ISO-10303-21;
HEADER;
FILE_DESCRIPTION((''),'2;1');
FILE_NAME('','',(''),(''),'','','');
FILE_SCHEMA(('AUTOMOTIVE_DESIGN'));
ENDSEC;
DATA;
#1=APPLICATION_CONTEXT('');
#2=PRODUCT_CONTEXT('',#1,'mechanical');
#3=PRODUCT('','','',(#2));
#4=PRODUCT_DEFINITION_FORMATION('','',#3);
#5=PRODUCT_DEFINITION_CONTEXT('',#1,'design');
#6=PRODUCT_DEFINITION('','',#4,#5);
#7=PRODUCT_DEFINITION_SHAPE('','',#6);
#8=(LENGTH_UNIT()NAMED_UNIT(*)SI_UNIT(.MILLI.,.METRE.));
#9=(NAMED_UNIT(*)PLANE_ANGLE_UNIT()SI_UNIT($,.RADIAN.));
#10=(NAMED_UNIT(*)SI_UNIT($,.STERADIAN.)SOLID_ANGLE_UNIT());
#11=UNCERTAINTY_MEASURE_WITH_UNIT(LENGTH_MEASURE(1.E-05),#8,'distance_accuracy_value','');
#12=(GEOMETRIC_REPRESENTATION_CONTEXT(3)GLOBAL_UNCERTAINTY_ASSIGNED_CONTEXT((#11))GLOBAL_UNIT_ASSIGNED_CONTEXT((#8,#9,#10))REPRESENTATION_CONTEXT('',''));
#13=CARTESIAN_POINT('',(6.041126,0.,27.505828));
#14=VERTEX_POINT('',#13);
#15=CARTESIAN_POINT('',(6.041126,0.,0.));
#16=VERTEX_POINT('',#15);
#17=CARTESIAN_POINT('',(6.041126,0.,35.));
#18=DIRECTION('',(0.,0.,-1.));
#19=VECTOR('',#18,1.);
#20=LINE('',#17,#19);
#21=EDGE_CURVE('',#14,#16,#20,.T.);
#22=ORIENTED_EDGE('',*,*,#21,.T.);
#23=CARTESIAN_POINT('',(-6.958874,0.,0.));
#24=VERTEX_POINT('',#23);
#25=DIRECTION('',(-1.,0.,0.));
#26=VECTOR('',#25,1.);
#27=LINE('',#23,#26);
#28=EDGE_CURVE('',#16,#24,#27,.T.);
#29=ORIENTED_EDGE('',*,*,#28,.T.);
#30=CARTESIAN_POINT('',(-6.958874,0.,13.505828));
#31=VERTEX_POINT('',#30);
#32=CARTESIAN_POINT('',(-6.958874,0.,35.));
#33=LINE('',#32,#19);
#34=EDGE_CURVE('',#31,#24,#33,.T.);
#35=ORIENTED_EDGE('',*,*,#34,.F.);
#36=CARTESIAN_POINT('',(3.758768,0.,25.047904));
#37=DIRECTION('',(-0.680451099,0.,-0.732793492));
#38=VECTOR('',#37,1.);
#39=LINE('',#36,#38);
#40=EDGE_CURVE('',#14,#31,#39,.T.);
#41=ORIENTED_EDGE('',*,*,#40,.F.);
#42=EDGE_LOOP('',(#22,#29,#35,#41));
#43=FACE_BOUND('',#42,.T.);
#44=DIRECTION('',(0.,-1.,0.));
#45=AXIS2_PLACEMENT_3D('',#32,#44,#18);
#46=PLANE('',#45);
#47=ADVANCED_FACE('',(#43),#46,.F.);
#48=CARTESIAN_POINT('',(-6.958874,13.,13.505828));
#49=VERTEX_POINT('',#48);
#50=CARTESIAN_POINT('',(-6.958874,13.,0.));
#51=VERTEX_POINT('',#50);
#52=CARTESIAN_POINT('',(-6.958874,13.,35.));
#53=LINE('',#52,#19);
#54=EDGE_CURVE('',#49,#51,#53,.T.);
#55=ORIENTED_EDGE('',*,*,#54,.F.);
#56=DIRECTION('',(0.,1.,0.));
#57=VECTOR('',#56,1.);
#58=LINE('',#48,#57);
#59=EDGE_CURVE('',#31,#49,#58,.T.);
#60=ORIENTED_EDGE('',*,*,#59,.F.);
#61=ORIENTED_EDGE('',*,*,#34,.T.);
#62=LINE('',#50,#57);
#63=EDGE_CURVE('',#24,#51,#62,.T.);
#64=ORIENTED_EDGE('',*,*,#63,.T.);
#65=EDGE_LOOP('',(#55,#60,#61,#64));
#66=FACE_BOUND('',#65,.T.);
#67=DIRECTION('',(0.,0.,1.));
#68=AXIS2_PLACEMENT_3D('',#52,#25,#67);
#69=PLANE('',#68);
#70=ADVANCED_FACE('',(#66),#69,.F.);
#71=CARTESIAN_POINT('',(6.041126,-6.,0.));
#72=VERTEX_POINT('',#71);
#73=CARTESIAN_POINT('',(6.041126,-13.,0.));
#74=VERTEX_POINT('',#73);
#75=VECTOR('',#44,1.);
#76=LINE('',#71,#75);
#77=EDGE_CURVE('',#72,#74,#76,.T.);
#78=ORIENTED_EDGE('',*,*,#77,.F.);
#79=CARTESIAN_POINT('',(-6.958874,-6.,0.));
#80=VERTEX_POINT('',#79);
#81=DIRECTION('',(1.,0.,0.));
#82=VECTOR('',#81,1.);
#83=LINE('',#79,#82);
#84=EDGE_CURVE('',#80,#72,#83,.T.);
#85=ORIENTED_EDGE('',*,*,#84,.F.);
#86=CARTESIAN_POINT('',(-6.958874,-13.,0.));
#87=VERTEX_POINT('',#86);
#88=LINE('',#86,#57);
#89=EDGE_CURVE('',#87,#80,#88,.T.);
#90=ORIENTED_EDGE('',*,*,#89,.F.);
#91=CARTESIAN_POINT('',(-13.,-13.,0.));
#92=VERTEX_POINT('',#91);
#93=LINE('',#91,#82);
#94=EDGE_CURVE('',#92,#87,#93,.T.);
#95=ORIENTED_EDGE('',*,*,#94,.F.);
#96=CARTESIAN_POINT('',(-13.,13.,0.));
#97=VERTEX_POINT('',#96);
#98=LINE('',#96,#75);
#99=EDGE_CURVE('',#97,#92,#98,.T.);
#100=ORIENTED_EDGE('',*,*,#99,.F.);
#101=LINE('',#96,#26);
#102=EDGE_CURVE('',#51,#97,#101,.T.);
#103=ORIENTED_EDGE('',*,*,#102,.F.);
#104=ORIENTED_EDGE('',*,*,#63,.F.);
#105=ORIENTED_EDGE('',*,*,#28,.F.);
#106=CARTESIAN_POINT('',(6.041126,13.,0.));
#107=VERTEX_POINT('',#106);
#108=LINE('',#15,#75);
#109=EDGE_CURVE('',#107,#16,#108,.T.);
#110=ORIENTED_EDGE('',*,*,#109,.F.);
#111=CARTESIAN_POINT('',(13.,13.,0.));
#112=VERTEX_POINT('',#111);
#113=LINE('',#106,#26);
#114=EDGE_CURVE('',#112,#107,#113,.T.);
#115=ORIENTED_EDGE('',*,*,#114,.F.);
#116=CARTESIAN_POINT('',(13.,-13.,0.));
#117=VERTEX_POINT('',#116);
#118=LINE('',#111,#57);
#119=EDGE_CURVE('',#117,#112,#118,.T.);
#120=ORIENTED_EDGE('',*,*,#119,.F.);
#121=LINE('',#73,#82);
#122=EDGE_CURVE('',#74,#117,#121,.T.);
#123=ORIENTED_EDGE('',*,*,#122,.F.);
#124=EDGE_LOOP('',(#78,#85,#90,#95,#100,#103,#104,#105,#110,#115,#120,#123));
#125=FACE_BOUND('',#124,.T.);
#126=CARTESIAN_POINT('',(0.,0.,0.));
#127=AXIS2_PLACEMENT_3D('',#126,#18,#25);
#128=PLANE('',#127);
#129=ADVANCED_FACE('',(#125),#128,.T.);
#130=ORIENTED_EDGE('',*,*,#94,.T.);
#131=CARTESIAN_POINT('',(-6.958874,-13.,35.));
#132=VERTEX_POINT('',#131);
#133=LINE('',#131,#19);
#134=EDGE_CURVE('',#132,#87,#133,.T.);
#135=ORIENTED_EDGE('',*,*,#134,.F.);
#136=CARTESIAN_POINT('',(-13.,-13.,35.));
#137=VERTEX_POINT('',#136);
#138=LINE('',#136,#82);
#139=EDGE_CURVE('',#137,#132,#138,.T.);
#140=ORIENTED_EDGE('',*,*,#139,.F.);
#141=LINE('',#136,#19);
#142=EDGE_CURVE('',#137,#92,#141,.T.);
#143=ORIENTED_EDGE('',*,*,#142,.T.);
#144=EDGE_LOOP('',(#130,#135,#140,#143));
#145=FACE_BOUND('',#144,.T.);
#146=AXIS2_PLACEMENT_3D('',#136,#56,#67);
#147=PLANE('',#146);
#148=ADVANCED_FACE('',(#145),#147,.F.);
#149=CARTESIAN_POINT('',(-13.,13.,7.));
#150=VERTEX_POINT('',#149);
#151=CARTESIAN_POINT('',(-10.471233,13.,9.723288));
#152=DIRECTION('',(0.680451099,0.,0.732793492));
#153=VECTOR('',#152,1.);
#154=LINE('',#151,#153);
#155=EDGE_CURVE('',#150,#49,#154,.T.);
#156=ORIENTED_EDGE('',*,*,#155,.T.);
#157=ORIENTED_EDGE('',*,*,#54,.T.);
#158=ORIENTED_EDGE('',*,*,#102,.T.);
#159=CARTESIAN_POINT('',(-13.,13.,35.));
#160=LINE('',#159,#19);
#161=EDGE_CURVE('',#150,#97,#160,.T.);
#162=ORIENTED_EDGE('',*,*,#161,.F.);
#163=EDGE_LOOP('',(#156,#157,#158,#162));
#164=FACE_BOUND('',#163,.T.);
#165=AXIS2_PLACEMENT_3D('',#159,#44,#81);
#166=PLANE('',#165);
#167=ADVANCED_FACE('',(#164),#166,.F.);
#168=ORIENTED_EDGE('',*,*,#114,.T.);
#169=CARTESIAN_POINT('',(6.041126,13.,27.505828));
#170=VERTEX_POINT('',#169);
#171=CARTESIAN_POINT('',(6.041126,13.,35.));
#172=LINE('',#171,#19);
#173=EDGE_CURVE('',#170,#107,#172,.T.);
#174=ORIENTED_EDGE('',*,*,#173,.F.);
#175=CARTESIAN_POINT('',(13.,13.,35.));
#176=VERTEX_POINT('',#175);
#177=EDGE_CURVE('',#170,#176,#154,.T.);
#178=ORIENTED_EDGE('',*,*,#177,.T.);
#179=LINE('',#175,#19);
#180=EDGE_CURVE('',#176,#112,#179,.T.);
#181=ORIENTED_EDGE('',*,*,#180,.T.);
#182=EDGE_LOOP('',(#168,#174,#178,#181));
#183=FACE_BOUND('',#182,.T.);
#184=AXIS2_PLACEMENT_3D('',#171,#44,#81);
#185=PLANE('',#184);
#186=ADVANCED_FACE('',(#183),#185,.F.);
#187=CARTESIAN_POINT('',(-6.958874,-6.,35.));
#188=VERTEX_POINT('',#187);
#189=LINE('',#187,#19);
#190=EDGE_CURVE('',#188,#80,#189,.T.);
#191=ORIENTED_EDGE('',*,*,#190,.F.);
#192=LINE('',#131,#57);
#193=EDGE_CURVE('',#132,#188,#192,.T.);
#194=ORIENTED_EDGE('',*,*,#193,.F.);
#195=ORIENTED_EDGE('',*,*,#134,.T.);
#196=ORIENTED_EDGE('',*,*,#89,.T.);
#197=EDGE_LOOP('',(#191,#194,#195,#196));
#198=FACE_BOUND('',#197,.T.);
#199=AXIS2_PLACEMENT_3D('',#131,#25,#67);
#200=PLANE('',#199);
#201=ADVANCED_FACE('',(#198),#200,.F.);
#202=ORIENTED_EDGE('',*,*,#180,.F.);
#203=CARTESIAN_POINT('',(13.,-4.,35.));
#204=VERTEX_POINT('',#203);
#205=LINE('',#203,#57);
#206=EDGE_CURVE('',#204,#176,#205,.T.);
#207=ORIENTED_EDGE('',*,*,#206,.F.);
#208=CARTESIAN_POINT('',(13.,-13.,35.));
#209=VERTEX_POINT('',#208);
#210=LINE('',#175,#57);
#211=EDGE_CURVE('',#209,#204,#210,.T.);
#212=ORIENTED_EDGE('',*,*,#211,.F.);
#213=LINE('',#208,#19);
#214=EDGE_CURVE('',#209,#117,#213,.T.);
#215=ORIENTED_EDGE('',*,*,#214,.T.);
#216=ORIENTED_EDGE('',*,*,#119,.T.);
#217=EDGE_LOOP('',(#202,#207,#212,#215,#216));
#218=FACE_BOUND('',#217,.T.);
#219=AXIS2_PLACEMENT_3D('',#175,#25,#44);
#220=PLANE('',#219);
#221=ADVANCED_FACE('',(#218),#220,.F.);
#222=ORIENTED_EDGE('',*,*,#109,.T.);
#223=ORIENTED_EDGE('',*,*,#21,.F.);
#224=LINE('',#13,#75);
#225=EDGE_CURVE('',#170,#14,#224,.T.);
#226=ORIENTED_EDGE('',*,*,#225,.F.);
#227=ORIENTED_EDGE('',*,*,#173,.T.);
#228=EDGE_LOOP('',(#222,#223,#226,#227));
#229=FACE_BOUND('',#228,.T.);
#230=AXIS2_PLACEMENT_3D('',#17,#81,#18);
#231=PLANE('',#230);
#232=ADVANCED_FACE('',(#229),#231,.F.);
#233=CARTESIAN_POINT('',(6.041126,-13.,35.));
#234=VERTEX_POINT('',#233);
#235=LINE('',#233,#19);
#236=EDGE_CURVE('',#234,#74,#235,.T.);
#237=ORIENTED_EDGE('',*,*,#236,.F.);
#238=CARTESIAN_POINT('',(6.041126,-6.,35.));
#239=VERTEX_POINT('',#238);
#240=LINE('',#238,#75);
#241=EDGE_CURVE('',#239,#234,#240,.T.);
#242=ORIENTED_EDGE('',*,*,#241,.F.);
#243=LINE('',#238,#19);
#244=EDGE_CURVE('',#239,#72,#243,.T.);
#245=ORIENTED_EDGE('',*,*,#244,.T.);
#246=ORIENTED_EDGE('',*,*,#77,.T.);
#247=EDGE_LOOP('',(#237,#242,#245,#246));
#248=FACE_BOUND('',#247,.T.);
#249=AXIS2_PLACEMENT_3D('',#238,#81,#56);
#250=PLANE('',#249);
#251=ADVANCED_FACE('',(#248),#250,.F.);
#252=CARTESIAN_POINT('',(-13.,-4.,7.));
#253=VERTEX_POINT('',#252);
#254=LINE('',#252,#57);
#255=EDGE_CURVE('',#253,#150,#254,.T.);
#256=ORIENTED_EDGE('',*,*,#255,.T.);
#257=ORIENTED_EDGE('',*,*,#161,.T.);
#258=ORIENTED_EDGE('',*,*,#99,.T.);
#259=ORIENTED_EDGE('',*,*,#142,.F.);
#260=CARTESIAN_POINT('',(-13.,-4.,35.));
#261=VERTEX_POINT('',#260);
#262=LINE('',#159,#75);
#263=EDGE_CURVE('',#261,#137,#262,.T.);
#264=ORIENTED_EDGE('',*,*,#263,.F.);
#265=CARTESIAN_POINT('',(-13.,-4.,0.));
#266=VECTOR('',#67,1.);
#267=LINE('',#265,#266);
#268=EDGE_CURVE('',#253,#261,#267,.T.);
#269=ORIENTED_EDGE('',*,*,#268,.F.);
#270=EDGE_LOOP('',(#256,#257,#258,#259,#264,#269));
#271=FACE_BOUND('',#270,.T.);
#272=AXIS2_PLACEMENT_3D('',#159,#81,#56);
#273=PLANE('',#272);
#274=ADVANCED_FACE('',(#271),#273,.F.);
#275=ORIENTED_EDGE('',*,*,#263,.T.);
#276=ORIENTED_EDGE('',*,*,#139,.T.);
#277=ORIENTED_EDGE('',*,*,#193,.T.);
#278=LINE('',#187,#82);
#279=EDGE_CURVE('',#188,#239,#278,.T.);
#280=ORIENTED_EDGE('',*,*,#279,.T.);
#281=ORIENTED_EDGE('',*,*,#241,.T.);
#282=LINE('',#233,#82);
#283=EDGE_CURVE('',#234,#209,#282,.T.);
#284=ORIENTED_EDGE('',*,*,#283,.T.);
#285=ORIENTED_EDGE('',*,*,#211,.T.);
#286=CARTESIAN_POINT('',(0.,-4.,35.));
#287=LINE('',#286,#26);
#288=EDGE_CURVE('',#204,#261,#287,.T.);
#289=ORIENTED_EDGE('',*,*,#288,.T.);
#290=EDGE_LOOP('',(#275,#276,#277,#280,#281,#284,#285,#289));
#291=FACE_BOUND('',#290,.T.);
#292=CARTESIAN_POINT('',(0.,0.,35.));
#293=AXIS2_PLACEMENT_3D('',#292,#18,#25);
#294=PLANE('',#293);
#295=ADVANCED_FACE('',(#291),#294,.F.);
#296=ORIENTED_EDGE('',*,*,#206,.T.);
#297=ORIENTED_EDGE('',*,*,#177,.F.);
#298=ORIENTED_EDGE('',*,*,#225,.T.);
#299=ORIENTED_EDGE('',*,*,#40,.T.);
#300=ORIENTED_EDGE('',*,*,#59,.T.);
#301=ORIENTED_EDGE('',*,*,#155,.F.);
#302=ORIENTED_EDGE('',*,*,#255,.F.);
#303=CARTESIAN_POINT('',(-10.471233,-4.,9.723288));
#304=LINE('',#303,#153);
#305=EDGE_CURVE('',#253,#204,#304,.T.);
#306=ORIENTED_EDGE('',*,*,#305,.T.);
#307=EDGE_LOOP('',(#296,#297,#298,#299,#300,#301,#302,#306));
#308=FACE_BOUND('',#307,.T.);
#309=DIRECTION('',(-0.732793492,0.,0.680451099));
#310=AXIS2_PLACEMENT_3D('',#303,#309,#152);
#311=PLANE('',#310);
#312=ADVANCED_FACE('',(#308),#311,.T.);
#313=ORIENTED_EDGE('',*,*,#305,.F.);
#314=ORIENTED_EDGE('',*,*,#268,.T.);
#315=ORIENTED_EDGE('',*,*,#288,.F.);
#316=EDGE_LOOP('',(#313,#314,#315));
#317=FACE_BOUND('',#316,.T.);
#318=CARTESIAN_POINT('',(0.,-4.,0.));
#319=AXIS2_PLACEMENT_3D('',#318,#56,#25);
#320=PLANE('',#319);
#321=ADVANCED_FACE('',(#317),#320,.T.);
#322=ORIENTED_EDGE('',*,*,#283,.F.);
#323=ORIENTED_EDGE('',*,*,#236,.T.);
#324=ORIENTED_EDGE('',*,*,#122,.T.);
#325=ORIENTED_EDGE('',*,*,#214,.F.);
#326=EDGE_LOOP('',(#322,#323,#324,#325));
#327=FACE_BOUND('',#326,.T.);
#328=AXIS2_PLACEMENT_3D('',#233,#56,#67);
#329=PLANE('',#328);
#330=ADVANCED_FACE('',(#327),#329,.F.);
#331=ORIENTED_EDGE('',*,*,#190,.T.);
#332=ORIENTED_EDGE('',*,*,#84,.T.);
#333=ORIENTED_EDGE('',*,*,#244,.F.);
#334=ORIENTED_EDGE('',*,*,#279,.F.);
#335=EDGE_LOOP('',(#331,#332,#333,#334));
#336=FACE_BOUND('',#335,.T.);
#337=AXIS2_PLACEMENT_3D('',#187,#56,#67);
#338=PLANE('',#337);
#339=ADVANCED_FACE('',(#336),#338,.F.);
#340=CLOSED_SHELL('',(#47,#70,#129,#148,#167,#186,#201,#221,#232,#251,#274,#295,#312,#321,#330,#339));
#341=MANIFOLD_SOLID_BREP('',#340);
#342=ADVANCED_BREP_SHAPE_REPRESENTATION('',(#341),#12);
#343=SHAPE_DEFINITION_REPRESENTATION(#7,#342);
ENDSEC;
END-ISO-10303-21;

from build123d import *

# Parameters (mm, degrees)
EXTRUDE_1_DEPTH     = 35
CUT_EXTRUDE_1_DEPTH = 17


with BuildPart() as part:
    # 草圖1 → 填料-伸長1 (new body)
    with BuildSketch(Plane.XY):
        Polygon((-6.958874233, 13), (-6.958874233, 0), (6.041125767, 0), (6.041125767, 13), (13, 13), (13, -13), (6.041125767, -13), (6.041125767, -6), (-6.958874233, -6), (-6.958874233, -13), (-13, -13), (-13, 13), align=None)
    extrude(amount=EXTRUDE_1_DEPTH)

    # 草圖2 → 除料-伸長1 (cut)
    with BuildSketch(Plane(origin=(0, 13, 0), x_dir=(1, 0, 0), z_dir=(0, 1, 0))):
        Polygon((13, -35), (-6.958874233, -13.50582775), (-6.958874233, -35), align=None)
        Polygon((-6.958874233, -13.50582775), (-13, -7), (-13, -35), (-6.958874233, -35), align=None)
    extrude(amount=-CUT_EXTRUDE_1_DEPTH, mode=Mode.SUBTRACT)


solid = part.part
